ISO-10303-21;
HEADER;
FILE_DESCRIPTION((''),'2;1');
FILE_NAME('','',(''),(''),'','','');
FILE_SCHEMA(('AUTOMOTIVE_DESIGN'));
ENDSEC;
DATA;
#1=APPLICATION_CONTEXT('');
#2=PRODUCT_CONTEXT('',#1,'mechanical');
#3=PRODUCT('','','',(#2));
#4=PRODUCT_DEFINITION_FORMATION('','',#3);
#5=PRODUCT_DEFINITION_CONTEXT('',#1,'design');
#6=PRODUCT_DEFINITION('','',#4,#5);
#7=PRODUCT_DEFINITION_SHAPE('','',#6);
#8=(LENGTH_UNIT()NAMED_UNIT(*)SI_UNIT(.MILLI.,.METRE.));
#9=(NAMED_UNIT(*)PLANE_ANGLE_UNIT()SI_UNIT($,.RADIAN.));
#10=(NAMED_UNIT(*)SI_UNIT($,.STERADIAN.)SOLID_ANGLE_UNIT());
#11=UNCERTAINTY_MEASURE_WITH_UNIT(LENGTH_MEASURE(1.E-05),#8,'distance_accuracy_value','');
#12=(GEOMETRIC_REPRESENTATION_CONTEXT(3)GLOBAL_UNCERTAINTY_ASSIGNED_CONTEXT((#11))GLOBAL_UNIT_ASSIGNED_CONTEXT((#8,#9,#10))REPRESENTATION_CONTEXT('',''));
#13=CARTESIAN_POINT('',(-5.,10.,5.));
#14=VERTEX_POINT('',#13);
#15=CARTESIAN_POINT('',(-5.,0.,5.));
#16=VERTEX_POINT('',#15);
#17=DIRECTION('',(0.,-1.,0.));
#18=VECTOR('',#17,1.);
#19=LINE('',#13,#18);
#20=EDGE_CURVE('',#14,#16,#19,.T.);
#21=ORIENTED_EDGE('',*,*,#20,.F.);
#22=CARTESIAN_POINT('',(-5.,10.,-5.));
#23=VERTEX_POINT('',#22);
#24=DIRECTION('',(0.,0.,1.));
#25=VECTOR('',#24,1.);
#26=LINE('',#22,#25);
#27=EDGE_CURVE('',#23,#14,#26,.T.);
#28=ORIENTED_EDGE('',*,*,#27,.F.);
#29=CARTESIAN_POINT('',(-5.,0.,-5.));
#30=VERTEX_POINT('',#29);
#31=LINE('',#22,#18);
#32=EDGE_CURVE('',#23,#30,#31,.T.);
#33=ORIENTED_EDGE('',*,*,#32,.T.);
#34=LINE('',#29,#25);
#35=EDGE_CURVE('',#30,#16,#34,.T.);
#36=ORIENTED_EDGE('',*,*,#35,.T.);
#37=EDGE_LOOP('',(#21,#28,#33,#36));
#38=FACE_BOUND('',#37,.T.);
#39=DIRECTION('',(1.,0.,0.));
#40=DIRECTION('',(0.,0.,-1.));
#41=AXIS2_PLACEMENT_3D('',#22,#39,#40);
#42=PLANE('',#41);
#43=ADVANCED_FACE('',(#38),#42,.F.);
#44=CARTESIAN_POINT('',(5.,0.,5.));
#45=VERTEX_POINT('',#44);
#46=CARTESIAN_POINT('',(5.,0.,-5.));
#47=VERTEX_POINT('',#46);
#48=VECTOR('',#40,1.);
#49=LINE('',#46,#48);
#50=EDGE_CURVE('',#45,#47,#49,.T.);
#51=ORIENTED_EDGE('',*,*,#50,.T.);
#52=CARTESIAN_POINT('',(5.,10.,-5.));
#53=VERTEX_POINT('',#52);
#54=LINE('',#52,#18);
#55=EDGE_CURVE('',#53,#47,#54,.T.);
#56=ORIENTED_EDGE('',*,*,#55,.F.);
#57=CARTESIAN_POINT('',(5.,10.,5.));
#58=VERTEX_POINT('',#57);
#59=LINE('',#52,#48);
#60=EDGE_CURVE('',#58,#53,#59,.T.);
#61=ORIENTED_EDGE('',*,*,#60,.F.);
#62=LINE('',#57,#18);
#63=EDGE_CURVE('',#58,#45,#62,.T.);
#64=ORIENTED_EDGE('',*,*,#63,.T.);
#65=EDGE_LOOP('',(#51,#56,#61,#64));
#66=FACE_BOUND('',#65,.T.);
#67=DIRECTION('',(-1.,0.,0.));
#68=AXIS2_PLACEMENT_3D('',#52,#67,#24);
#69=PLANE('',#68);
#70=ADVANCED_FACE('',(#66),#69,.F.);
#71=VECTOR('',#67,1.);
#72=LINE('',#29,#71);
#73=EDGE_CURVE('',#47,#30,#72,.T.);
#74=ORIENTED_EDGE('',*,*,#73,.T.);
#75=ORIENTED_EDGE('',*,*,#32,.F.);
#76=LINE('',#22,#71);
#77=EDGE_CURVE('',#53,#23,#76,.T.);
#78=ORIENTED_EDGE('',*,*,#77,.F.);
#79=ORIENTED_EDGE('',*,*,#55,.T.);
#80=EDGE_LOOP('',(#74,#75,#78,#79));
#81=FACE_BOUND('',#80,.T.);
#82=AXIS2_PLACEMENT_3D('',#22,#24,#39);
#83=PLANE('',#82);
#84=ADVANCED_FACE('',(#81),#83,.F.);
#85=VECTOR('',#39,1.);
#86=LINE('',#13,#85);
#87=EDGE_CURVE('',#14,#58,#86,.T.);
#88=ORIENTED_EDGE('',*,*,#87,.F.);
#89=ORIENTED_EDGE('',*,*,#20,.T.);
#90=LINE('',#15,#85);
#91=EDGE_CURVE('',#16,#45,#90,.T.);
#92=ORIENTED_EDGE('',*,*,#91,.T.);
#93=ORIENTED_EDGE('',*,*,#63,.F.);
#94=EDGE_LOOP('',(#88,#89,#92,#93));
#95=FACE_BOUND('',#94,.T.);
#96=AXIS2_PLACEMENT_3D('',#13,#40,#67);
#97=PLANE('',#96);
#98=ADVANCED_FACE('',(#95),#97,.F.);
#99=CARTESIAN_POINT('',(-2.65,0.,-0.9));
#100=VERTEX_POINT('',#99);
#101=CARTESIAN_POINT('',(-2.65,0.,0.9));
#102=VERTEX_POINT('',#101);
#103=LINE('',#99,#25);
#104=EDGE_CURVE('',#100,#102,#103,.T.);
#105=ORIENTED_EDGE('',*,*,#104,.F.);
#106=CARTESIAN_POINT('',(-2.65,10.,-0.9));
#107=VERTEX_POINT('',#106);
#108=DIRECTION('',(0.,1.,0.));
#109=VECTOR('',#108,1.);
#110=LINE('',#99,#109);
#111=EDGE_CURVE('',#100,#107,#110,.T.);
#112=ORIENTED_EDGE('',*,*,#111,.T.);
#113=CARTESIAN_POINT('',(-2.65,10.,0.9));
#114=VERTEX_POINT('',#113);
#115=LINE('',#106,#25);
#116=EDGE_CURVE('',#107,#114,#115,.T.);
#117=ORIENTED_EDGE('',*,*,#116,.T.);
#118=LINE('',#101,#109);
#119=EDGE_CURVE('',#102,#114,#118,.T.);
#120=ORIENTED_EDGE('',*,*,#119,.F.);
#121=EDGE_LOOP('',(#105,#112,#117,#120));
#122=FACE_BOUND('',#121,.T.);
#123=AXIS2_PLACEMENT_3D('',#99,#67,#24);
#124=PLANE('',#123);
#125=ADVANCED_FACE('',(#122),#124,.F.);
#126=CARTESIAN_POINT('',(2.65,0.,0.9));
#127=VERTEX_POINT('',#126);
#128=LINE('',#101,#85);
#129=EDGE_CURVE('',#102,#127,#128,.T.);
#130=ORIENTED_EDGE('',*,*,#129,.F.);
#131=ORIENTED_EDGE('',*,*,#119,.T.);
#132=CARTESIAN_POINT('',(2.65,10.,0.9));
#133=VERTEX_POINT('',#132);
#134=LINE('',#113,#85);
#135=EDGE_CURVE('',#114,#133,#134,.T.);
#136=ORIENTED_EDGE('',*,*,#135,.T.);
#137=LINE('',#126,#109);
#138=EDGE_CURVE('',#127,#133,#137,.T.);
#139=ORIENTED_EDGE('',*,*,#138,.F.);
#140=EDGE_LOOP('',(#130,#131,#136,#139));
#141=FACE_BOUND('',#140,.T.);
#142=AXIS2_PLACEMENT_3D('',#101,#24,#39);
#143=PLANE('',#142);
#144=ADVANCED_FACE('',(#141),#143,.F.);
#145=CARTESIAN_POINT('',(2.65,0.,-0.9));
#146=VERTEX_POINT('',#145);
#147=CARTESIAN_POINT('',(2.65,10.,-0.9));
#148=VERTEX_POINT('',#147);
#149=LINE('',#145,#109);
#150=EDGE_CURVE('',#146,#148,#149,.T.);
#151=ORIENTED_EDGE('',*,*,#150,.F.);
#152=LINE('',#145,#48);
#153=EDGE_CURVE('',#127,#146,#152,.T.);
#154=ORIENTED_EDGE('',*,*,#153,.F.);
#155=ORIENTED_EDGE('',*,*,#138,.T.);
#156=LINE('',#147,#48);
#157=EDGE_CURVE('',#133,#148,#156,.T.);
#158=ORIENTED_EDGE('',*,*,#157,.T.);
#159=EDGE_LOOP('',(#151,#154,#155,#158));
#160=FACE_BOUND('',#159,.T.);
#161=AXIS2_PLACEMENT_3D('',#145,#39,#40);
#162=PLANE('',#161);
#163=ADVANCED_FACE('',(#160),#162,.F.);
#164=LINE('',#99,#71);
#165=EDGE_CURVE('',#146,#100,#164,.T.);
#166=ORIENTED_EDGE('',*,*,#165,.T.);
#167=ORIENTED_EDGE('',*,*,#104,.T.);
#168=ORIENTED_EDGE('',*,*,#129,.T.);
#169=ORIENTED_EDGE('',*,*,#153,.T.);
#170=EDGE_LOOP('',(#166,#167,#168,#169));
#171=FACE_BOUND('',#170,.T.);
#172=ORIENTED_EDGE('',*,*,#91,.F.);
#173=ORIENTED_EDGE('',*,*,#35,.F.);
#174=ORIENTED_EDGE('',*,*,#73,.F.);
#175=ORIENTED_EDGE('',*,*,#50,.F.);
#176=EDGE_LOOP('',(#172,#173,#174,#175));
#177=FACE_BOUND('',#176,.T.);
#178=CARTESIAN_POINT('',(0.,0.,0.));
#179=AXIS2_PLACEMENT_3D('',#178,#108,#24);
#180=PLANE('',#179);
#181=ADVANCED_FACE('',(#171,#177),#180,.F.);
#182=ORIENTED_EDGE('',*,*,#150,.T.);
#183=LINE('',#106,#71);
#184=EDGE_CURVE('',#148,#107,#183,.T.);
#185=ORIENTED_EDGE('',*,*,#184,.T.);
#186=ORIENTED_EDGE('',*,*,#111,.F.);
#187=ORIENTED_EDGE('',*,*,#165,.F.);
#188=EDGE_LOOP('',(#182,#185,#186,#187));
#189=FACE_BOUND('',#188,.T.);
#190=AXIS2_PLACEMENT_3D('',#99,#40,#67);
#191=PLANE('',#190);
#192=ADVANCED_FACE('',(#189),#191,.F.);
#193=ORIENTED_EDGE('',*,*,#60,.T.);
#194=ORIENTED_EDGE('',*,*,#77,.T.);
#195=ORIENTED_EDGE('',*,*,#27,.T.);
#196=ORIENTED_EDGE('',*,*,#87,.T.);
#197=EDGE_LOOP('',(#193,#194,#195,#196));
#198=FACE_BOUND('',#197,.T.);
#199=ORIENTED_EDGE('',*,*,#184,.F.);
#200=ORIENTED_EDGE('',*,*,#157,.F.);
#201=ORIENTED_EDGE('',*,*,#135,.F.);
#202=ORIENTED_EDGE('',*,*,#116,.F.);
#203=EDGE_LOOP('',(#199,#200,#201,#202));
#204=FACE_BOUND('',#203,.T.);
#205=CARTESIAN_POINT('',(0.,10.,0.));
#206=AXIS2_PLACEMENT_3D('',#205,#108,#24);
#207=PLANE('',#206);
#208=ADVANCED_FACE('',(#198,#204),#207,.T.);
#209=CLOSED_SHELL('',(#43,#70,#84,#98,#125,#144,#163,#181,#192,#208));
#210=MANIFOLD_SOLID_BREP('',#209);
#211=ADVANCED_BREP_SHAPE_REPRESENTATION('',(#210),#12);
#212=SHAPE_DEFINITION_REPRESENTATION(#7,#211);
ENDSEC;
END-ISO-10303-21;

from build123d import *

# Parameters (mm, degrees)
SKETCH_1_W          = 10
SKETCH_1_H          = 10
EXTRUDE_1_DEPTH     = 10
SKETCH_2_W          = 5.3
SKETCH_2_H          = 1.8
CUT_EXTRUDE_1_DEPTH = 13.247448714


with BuildPart() as part:
    # 草图1 → 凸台-拉伸1 (new body)
    with BuildSketch(Plane(origin=(0, 0, 0), x_dir=(1, 0, 0), z_dir=(0, 1, 0))):
        Rectangle(SKETCH_1_W, SKETCH_1_H)
    extrude(amount=EXTRUDE_1_DEPTH)

    # 草图2 → 切除-拉伸1 (cut, through all)
    with BuildSketch(Plane(origin=(0, 10, 0), x_dir=(1, 0, 0), z_dir=(0, 1, 0))):
        Rectangle(SKETCH_2_W, SKETCH_2_H)
    extrude(amount=-CUT_EXTRUDE_1_DEPTH, mode=Mode.SUBTRACT)


solid = part.part
